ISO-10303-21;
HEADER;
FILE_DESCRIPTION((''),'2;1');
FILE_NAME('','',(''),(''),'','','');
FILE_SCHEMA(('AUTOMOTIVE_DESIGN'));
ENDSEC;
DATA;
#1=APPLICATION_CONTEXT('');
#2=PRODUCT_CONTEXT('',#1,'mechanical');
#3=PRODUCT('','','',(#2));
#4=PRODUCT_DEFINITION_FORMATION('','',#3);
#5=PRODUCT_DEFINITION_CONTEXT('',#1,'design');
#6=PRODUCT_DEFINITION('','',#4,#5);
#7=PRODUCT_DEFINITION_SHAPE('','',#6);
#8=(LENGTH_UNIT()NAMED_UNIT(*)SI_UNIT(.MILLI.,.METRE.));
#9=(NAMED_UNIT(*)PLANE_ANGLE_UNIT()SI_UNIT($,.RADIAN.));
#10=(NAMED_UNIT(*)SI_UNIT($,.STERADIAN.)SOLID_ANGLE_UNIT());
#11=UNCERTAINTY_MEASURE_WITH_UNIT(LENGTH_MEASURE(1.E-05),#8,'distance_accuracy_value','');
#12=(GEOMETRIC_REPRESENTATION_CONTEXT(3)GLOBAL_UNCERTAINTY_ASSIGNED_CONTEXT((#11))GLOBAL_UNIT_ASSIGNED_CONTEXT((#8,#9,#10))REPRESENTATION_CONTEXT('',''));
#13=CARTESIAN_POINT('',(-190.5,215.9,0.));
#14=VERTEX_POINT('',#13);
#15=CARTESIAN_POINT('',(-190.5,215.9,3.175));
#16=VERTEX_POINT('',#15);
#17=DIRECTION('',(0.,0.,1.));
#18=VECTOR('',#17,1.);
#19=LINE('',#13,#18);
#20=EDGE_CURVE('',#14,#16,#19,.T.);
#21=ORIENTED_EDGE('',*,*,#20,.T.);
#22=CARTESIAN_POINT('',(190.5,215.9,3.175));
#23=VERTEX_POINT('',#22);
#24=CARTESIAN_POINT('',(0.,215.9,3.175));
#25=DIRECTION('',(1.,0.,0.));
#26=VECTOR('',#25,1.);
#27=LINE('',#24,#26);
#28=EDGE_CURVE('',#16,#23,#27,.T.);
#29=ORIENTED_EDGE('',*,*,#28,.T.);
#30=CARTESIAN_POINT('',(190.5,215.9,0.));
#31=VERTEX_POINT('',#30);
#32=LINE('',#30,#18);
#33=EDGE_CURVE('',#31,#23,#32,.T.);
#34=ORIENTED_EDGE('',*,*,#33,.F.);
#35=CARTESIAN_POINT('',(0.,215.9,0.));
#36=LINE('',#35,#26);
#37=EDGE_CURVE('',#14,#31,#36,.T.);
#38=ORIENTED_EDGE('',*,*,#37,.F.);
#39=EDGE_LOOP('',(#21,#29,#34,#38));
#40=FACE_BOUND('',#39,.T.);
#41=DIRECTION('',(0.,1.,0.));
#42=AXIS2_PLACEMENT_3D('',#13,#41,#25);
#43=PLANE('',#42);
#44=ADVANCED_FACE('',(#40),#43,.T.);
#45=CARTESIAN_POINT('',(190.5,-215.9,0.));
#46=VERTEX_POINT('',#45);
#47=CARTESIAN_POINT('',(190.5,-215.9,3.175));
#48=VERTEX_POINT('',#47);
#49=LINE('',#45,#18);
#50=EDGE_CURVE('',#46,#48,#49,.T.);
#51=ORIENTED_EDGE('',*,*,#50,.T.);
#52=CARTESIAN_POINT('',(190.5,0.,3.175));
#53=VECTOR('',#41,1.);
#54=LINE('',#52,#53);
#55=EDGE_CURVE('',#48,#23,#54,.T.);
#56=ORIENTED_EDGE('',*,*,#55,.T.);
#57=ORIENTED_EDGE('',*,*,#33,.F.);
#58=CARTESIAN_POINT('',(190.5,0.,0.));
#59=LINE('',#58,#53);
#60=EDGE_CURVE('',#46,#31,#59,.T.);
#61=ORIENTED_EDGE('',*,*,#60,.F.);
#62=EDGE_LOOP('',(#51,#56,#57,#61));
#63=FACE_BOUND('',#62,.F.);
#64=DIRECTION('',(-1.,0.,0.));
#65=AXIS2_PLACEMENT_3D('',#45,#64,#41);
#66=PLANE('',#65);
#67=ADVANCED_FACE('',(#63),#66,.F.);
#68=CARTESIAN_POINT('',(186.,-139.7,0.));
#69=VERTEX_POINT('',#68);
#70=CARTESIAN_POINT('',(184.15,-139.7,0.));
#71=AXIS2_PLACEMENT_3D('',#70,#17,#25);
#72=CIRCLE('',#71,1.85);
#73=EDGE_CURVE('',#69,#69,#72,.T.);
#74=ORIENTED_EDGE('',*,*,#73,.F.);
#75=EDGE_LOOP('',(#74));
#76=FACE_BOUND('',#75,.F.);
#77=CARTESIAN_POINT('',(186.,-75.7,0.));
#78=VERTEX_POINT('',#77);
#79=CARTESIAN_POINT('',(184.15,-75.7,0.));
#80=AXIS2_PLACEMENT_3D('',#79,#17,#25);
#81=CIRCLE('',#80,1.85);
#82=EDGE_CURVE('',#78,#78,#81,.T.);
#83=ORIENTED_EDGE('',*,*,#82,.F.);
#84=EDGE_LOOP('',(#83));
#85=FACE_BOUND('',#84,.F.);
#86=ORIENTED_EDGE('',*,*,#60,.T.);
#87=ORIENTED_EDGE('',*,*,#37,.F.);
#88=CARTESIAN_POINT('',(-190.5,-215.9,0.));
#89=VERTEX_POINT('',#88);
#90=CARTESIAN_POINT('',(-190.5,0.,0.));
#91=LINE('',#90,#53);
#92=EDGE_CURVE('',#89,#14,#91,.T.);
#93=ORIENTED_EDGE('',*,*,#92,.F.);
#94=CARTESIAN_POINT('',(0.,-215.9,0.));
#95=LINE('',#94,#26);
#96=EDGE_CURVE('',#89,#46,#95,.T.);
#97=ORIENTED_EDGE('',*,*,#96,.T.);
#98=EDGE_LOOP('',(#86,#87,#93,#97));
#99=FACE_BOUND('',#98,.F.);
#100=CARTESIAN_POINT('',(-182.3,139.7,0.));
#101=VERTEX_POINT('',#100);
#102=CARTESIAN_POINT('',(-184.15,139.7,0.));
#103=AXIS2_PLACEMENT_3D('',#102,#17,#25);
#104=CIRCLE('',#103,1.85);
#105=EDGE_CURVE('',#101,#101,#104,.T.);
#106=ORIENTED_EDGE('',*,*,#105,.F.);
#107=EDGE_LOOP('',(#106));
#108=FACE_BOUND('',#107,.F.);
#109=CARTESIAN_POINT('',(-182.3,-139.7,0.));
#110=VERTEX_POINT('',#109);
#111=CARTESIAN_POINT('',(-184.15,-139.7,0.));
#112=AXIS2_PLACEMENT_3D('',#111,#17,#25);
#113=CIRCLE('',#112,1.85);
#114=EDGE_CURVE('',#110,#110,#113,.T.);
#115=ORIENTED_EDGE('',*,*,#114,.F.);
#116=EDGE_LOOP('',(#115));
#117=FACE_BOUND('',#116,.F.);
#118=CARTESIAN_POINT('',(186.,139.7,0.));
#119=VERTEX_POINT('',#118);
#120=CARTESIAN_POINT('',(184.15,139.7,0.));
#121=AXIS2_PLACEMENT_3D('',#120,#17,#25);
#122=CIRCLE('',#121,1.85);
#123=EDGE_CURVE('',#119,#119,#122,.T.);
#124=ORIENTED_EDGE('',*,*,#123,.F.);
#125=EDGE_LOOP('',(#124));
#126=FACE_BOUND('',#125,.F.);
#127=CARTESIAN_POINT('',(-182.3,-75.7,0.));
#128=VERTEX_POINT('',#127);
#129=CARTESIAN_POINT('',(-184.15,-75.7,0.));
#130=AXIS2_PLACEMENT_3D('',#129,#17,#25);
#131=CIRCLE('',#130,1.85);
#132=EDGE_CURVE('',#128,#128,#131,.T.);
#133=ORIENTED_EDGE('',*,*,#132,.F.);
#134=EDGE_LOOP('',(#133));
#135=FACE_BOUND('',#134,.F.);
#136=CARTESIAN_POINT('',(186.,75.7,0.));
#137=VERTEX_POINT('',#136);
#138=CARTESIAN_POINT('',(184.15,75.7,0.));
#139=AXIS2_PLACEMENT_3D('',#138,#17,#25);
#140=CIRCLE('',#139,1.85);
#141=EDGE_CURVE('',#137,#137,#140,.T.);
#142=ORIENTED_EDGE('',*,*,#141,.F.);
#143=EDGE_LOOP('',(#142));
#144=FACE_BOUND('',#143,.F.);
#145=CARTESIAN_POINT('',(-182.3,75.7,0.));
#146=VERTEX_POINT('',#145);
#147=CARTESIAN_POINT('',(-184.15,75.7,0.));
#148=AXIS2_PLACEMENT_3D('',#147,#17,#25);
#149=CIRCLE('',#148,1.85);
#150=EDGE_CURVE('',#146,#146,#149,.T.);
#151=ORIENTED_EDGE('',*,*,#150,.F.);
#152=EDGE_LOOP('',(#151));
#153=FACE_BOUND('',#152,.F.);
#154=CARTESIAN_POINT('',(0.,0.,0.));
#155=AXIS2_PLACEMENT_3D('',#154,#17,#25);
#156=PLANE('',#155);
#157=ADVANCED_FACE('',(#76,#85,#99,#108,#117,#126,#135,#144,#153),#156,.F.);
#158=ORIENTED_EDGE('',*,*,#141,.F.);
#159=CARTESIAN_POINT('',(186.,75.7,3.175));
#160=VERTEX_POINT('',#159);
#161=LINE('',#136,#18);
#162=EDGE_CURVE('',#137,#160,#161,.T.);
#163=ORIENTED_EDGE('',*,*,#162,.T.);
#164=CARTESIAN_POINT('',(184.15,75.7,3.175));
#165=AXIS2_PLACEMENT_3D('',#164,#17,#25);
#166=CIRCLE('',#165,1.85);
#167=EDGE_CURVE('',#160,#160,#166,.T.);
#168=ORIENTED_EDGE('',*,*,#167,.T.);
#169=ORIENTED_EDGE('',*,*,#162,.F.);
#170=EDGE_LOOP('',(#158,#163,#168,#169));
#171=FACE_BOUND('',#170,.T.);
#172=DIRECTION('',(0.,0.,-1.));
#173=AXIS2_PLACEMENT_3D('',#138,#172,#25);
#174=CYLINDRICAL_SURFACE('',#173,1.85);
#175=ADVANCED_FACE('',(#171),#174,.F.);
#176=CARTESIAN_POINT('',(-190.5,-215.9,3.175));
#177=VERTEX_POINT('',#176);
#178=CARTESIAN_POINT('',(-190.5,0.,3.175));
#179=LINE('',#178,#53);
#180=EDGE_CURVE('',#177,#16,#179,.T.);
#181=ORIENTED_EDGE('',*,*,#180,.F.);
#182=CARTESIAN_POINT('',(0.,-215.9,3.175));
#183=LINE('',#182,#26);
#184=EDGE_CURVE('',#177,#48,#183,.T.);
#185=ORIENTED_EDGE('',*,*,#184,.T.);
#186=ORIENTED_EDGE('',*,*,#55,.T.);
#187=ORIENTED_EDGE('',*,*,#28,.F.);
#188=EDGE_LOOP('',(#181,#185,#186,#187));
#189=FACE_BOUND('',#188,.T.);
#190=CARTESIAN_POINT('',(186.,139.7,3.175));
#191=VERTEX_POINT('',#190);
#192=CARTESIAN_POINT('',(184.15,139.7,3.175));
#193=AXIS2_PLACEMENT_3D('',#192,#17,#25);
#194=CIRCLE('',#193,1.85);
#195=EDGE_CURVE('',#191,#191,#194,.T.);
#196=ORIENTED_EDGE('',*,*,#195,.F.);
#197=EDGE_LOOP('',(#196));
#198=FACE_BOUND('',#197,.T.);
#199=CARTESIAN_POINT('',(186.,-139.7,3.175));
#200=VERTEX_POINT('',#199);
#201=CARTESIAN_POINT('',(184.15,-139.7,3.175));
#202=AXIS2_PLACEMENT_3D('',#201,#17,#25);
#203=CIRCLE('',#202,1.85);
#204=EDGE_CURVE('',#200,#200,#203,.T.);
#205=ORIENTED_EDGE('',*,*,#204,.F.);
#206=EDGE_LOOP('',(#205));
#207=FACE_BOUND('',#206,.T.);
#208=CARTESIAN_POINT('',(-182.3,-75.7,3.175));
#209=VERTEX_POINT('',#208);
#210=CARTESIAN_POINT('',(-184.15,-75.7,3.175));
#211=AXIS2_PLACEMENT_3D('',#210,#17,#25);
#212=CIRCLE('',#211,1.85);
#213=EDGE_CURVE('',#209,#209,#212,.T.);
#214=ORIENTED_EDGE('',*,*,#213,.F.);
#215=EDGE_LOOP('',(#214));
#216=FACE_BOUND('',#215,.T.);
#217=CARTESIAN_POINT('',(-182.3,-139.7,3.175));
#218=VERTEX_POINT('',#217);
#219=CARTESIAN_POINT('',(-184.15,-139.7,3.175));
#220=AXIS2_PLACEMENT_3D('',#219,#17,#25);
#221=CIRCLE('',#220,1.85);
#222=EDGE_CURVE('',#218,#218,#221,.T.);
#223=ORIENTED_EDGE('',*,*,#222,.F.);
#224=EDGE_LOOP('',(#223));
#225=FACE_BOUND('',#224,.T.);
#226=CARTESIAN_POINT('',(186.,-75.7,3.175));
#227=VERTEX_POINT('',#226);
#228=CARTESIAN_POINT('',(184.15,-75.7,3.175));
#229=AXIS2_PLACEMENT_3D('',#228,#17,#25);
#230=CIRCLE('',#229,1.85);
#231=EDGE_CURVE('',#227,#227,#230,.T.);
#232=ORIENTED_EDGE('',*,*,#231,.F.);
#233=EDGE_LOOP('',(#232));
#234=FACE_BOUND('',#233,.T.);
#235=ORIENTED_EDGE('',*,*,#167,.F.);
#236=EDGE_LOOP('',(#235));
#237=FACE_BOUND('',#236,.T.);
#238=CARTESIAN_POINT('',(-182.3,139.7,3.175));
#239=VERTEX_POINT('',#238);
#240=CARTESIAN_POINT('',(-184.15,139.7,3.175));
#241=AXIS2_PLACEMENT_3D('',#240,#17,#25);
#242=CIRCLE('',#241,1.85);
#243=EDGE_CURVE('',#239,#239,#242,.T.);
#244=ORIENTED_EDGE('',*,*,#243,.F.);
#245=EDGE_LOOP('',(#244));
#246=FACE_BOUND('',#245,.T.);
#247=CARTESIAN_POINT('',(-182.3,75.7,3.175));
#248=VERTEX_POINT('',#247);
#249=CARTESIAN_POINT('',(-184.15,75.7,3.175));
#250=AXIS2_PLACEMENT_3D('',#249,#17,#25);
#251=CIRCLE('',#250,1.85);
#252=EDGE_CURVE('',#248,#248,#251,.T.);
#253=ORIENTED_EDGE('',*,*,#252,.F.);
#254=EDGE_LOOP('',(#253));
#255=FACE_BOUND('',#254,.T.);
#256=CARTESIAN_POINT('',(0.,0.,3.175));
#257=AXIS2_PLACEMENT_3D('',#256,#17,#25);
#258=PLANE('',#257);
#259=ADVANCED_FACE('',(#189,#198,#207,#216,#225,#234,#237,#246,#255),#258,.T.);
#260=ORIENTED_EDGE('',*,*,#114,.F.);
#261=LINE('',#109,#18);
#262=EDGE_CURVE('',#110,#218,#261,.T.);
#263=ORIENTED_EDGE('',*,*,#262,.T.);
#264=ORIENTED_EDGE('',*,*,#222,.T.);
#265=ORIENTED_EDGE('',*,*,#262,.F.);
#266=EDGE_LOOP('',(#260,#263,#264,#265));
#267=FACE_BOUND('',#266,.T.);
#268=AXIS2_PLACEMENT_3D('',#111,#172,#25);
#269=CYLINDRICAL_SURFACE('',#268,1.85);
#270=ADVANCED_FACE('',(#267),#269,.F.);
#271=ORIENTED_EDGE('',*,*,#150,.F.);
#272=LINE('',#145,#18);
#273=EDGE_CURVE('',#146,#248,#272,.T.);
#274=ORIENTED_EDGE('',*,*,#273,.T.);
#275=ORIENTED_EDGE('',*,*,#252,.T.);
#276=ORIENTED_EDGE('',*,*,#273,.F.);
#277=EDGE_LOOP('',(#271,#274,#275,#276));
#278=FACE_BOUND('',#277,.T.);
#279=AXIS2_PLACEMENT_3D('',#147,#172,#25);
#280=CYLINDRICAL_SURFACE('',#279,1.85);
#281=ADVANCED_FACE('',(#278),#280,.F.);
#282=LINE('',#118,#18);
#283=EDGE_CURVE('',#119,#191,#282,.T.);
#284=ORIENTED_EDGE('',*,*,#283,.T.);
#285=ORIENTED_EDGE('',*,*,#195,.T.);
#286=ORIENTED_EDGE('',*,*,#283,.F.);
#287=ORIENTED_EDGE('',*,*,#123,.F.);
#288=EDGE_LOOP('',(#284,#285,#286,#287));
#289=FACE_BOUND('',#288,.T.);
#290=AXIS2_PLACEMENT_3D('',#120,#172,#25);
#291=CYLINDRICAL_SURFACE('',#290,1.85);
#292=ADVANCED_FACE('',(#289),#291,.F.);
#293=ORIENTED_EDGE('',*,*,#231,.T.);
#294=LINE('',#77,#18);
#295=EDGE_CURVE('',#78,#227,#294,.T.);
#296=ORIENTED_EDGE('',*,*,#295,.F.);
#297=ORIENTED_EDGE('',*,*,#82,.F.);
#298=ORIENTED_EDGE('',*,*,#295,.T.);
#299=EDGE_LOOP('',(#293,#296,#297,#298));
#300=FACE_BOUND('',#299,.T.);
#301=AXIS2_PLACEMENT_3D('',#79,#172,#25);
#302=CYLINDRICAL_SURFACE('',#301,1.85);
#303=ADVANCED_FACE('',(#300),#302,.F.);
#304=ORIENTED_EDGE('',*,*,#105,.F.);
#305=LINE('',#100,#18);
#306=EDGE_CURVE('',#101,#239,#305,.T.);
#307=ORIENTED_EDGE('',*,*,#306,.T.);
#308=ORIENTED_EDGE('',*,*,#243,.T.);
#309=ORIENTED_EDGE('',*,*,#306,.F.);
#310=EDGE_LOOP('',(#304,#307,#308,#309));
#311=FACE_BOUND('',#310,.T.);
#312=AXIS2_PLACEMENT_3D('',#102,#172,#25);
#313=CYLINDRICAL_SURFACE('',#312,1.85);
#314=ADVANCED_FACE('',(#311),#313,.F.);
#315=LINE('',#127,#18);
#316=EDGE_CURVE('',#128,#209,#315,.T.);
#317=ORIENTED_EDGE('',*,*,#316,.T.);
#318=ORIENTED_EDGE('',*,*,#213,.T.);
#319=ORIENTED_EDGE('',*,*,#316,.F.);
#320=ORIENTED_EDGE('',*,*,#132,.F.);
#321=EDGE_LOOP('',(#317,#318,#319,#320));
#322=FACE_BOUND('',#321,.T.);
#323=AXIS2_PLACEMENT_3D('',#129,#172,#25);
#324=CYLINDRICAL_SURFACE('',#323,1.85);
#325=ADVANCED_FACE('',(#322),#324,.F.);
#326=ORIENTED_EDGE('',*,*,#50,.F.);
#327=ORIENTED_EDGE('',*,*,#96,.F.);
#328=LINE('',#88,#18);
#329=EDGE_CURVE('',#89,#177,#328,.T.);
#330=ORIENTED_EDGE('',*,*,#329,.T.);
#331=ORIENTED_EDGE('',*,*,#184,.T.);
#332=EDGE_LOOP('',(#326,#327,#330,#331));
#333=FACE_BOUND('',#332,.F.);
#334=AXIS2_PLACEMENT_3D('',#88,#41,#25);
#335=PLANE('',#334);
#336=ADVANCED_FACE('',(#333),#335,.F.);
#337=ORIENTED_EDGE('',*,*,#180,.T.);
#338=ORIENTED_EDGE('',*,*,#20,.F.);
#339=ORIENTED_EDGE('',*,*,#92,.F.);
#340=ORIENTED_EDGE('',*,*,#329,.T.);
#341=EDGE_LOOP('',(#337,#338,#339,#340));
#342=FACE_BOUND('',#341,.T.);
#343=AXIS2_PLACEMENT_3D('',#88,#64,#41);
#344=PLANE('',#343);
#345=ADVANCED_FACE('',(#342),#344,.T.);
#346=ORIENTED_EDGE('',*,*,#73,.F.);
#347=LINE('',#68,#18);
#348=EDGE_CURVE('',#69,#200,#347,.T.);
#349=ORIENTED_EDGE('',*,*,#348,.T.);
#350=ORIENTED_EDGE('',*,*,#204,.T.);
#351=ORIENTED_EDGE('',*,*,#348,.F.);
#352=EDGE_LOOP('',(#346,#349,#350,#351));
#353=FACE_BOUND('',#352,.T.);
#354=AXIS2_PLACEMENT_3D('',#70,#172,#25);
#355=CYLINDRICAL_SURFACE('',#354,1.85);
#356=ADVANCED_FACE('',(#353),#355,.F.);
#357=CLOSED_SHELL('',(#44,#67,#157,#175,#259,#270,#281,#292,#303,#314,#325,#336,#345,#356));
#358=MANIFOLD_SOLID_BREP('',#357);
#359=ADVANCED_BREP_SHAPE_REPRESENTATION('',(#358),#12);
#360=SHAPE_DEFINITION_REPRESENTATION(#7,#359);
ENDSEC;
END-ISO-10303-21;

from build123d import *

# Parameters (mm, degrees)
F0_W     = 381
F0_H     = 431.8
F0_R     = 1.85
F1_DEPTH = 3.175


with BuildPart() as f1:
    # F0 (on Top) → F1 (new body)
    with BuildSketch(Plane.XY):
        Rectangle(F0_W, F0_H)
        with Locations((-184.15, -139.7)):
            Circle(F0_R, mode=Mode.SUBTRACT)
        with Locations((-184.15, -75.7)):
            Circle(F0_R, mode=Mode.SUBTRACT)
        with Locations((184.15, -139.7)):
            Circle(F0_R, mode=Mode.SUBTRACT)
        with Locations((184.15, -75.7)):
            Circle(F0_R, mode=Mode.SUBTRACT)
        with Locations((-184.15, 75.7)):
            Circle(F0_R, mode=Mode.SUBTRACT)
        with Locations((-184.15, 139.7)):
            Circle(F0_R, mode=Mode.SUBTRACT)
        with Locations((184.15, 75.7)):
            Circle(F0_R, mode=Mode.SUBTRACT)
        with Locations((184.15, 139.7)):
            Circle(F0_R, mode=Mode.SUBTRACT)
    extrude(amount=F1_DEPTH)


solid = f1.part
